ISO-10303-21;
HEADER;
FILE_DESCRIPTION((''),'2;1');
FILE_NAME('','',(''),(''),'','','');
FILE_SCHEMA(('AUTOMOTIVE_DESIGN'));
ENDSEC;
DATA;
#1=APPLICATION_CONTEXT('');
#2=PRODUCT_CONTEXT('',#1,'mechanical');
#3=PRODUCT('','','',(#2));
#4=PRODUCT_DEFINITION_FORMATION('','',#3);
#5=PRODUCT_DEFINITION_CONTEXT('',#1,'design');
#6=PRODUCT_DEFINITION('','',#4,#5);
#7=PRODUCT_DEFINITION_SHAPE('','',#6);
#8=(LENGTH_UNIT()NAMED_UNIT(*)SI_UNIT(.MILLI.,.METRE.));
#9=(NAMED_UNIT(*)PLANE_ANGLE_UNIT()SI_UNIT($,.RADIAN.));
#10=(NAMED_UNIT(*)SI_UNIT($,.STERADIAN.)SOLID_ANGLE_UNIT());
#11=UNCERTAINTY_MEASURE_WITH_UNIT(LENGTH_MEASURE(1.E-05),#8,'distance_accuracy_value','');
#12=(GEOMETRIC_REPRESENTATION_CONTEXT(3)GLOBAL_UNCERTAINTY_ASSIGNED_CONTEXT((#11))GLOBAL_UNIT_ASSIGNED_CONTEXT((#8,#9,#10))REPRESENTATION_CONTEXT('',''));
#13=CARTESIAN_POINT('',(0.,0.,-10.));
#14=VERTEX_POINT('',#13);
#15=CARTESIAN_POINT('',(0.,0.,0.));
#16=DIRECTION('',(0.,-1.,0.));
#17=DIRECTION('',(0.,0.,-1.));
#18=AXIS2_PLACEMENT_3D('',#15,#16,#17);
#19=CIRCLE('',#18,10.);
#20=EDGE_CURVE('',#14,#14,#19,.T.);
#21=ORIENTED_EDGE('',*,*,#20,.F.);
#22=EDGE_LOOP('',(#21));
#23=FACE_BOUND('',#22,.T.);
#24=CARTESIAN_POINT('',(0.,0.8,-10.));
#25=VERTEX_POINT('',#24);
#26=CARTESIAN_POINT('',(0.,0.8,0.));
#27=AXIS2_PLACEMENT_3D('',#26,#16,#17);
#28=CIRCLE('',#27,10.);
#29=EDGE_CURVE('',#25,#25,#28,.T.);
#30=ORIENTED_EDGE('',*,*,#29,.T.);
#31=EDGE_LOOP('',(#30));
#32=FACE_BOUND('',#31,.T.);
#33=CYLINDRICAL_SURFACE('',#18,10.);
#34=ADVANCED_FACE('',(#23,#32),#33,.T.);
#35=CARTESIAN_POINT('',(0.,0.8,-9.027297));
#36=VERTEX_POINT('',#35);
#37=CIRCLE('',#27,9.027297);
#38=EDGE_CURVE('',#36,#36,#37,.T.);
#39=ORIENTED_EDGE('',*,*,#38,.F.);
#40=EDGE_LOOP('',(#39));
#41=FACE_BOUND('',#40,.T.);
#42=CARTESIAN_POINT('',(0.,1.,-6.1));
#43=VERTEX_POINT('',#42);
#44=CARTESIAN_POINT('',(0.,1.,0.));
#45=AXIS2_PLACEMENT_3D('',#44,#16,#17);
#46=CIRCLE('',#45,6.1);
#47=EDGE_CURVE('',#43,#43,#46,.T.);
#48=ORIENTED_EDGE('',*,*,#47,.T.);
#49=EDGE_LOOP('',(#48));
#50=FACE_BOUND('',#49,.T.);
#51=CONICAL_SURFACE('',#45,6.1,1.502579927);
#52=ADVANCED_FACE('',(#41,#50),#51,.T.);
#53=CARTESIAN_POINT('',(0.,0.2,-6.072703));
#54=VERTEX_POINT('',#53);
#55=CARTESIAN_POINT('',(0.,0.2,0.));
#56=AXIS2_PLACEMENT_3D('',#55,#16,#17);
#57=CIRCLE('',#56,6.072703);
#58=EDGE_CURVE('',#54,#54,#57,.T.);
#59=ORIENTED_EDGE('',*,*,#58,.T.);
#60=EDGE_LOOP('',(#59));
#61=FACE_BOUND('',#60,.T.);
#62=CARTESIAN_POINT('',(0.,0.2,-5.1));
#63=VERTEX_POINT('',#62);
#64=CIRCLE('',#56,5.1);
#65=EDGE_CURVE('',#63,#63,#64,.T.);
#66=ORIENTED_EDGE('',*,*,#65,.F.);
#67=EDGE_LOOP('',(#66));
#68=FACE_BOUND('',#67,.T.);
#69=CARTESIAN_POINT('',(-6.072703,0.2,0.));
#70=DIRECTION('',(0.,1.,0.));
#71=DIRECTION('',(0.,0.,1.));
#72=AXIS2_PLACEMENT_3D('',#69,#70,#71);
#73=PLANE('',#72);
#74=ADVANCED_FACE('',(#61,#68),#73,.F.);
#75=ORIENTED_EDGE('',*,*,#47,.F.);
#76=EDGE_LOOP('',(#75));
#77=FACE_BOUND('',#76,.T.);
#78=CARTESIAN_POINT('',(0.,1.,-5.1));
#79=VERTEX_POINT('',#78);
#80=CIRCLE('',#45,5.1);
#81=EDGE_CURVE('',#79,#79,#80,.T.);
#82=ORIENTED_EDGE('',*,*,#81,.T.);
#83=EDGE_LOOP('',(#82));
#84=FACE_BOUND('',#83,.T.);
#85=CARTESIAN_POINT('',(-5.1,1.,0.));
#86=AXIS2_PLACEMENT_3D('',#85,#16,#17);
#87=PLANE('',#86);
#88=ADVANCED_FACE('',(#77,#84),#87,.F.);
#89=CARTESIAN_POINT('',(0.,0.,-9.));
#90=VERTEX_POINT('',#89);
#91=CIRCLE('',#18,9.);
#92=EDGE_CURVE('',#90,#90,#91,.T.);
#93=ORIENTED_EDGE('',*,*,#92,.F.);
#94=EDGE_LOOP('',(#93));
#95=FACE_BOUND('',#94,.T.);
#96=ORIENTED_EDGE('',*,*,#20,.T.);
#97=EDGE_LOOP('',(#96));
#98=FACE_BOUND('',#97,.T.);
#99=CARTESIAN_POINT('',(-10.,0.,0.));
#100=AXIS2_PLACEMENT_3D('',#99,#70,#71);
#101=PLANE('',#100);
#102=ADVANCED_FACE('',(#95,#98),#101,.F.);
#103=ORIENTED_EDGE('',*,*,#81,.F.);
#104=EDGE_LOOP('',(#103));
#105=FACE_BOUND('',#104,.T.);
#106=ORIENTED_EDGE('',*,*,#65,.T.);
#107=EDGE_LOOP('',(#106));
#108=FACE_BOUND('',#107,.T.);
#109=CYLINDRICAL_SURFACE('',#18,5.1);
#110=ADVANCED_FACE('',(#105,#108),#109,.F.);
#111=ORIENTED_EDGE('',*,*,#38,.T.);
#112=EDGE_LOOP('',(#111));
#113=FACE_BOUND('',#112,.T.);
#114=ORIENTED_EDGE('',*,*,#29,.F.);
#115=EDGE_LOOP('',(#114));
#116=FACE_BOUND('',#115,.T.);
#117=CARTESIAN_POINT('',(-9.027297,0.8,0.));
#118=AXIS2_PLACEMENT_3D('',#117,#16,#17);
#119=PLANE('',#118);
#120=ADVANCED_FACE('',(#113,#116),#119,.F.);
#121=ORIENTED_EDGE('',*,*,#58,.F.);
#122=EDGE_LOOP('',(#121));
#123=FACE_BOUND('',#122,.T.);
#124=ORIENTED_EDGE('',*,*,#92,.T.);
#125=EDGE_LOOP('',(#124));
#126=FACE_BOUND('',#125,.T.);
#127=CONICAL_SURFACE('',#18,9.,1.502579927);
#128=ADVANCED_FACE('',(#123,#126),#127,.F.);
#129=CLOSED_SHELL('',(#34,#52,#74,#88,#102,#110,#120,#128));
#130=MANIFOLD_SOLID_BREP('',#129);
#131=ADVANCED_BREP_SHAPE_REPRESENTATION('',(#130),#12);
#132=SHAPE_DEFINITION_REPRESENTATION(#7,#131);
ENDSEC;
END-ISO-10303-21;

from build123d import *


with BuildPart() as part:
    # Schizzo1 → Rivoluzione1 (revolve)
    with BuildSketch(Plane.XY, mode=Mode.PRIVATE) as rivoluzione1_sk:
        Polygon((-10, 0), (-9, 0), (-6.072702854, 0.2), (-5.1, 0.2), (-5.1, 1), (-6.1, 1), (-9.027297146, 0.8), (-10, 0.8), align=None)
    revolve(rivoluzione1_sk.sketch.rotate(Axis((0, 0, 0), (0, 1, 0)), 270), axis=Axis((0, 0, 0), (0, 1, 0)))


solid = part.part
